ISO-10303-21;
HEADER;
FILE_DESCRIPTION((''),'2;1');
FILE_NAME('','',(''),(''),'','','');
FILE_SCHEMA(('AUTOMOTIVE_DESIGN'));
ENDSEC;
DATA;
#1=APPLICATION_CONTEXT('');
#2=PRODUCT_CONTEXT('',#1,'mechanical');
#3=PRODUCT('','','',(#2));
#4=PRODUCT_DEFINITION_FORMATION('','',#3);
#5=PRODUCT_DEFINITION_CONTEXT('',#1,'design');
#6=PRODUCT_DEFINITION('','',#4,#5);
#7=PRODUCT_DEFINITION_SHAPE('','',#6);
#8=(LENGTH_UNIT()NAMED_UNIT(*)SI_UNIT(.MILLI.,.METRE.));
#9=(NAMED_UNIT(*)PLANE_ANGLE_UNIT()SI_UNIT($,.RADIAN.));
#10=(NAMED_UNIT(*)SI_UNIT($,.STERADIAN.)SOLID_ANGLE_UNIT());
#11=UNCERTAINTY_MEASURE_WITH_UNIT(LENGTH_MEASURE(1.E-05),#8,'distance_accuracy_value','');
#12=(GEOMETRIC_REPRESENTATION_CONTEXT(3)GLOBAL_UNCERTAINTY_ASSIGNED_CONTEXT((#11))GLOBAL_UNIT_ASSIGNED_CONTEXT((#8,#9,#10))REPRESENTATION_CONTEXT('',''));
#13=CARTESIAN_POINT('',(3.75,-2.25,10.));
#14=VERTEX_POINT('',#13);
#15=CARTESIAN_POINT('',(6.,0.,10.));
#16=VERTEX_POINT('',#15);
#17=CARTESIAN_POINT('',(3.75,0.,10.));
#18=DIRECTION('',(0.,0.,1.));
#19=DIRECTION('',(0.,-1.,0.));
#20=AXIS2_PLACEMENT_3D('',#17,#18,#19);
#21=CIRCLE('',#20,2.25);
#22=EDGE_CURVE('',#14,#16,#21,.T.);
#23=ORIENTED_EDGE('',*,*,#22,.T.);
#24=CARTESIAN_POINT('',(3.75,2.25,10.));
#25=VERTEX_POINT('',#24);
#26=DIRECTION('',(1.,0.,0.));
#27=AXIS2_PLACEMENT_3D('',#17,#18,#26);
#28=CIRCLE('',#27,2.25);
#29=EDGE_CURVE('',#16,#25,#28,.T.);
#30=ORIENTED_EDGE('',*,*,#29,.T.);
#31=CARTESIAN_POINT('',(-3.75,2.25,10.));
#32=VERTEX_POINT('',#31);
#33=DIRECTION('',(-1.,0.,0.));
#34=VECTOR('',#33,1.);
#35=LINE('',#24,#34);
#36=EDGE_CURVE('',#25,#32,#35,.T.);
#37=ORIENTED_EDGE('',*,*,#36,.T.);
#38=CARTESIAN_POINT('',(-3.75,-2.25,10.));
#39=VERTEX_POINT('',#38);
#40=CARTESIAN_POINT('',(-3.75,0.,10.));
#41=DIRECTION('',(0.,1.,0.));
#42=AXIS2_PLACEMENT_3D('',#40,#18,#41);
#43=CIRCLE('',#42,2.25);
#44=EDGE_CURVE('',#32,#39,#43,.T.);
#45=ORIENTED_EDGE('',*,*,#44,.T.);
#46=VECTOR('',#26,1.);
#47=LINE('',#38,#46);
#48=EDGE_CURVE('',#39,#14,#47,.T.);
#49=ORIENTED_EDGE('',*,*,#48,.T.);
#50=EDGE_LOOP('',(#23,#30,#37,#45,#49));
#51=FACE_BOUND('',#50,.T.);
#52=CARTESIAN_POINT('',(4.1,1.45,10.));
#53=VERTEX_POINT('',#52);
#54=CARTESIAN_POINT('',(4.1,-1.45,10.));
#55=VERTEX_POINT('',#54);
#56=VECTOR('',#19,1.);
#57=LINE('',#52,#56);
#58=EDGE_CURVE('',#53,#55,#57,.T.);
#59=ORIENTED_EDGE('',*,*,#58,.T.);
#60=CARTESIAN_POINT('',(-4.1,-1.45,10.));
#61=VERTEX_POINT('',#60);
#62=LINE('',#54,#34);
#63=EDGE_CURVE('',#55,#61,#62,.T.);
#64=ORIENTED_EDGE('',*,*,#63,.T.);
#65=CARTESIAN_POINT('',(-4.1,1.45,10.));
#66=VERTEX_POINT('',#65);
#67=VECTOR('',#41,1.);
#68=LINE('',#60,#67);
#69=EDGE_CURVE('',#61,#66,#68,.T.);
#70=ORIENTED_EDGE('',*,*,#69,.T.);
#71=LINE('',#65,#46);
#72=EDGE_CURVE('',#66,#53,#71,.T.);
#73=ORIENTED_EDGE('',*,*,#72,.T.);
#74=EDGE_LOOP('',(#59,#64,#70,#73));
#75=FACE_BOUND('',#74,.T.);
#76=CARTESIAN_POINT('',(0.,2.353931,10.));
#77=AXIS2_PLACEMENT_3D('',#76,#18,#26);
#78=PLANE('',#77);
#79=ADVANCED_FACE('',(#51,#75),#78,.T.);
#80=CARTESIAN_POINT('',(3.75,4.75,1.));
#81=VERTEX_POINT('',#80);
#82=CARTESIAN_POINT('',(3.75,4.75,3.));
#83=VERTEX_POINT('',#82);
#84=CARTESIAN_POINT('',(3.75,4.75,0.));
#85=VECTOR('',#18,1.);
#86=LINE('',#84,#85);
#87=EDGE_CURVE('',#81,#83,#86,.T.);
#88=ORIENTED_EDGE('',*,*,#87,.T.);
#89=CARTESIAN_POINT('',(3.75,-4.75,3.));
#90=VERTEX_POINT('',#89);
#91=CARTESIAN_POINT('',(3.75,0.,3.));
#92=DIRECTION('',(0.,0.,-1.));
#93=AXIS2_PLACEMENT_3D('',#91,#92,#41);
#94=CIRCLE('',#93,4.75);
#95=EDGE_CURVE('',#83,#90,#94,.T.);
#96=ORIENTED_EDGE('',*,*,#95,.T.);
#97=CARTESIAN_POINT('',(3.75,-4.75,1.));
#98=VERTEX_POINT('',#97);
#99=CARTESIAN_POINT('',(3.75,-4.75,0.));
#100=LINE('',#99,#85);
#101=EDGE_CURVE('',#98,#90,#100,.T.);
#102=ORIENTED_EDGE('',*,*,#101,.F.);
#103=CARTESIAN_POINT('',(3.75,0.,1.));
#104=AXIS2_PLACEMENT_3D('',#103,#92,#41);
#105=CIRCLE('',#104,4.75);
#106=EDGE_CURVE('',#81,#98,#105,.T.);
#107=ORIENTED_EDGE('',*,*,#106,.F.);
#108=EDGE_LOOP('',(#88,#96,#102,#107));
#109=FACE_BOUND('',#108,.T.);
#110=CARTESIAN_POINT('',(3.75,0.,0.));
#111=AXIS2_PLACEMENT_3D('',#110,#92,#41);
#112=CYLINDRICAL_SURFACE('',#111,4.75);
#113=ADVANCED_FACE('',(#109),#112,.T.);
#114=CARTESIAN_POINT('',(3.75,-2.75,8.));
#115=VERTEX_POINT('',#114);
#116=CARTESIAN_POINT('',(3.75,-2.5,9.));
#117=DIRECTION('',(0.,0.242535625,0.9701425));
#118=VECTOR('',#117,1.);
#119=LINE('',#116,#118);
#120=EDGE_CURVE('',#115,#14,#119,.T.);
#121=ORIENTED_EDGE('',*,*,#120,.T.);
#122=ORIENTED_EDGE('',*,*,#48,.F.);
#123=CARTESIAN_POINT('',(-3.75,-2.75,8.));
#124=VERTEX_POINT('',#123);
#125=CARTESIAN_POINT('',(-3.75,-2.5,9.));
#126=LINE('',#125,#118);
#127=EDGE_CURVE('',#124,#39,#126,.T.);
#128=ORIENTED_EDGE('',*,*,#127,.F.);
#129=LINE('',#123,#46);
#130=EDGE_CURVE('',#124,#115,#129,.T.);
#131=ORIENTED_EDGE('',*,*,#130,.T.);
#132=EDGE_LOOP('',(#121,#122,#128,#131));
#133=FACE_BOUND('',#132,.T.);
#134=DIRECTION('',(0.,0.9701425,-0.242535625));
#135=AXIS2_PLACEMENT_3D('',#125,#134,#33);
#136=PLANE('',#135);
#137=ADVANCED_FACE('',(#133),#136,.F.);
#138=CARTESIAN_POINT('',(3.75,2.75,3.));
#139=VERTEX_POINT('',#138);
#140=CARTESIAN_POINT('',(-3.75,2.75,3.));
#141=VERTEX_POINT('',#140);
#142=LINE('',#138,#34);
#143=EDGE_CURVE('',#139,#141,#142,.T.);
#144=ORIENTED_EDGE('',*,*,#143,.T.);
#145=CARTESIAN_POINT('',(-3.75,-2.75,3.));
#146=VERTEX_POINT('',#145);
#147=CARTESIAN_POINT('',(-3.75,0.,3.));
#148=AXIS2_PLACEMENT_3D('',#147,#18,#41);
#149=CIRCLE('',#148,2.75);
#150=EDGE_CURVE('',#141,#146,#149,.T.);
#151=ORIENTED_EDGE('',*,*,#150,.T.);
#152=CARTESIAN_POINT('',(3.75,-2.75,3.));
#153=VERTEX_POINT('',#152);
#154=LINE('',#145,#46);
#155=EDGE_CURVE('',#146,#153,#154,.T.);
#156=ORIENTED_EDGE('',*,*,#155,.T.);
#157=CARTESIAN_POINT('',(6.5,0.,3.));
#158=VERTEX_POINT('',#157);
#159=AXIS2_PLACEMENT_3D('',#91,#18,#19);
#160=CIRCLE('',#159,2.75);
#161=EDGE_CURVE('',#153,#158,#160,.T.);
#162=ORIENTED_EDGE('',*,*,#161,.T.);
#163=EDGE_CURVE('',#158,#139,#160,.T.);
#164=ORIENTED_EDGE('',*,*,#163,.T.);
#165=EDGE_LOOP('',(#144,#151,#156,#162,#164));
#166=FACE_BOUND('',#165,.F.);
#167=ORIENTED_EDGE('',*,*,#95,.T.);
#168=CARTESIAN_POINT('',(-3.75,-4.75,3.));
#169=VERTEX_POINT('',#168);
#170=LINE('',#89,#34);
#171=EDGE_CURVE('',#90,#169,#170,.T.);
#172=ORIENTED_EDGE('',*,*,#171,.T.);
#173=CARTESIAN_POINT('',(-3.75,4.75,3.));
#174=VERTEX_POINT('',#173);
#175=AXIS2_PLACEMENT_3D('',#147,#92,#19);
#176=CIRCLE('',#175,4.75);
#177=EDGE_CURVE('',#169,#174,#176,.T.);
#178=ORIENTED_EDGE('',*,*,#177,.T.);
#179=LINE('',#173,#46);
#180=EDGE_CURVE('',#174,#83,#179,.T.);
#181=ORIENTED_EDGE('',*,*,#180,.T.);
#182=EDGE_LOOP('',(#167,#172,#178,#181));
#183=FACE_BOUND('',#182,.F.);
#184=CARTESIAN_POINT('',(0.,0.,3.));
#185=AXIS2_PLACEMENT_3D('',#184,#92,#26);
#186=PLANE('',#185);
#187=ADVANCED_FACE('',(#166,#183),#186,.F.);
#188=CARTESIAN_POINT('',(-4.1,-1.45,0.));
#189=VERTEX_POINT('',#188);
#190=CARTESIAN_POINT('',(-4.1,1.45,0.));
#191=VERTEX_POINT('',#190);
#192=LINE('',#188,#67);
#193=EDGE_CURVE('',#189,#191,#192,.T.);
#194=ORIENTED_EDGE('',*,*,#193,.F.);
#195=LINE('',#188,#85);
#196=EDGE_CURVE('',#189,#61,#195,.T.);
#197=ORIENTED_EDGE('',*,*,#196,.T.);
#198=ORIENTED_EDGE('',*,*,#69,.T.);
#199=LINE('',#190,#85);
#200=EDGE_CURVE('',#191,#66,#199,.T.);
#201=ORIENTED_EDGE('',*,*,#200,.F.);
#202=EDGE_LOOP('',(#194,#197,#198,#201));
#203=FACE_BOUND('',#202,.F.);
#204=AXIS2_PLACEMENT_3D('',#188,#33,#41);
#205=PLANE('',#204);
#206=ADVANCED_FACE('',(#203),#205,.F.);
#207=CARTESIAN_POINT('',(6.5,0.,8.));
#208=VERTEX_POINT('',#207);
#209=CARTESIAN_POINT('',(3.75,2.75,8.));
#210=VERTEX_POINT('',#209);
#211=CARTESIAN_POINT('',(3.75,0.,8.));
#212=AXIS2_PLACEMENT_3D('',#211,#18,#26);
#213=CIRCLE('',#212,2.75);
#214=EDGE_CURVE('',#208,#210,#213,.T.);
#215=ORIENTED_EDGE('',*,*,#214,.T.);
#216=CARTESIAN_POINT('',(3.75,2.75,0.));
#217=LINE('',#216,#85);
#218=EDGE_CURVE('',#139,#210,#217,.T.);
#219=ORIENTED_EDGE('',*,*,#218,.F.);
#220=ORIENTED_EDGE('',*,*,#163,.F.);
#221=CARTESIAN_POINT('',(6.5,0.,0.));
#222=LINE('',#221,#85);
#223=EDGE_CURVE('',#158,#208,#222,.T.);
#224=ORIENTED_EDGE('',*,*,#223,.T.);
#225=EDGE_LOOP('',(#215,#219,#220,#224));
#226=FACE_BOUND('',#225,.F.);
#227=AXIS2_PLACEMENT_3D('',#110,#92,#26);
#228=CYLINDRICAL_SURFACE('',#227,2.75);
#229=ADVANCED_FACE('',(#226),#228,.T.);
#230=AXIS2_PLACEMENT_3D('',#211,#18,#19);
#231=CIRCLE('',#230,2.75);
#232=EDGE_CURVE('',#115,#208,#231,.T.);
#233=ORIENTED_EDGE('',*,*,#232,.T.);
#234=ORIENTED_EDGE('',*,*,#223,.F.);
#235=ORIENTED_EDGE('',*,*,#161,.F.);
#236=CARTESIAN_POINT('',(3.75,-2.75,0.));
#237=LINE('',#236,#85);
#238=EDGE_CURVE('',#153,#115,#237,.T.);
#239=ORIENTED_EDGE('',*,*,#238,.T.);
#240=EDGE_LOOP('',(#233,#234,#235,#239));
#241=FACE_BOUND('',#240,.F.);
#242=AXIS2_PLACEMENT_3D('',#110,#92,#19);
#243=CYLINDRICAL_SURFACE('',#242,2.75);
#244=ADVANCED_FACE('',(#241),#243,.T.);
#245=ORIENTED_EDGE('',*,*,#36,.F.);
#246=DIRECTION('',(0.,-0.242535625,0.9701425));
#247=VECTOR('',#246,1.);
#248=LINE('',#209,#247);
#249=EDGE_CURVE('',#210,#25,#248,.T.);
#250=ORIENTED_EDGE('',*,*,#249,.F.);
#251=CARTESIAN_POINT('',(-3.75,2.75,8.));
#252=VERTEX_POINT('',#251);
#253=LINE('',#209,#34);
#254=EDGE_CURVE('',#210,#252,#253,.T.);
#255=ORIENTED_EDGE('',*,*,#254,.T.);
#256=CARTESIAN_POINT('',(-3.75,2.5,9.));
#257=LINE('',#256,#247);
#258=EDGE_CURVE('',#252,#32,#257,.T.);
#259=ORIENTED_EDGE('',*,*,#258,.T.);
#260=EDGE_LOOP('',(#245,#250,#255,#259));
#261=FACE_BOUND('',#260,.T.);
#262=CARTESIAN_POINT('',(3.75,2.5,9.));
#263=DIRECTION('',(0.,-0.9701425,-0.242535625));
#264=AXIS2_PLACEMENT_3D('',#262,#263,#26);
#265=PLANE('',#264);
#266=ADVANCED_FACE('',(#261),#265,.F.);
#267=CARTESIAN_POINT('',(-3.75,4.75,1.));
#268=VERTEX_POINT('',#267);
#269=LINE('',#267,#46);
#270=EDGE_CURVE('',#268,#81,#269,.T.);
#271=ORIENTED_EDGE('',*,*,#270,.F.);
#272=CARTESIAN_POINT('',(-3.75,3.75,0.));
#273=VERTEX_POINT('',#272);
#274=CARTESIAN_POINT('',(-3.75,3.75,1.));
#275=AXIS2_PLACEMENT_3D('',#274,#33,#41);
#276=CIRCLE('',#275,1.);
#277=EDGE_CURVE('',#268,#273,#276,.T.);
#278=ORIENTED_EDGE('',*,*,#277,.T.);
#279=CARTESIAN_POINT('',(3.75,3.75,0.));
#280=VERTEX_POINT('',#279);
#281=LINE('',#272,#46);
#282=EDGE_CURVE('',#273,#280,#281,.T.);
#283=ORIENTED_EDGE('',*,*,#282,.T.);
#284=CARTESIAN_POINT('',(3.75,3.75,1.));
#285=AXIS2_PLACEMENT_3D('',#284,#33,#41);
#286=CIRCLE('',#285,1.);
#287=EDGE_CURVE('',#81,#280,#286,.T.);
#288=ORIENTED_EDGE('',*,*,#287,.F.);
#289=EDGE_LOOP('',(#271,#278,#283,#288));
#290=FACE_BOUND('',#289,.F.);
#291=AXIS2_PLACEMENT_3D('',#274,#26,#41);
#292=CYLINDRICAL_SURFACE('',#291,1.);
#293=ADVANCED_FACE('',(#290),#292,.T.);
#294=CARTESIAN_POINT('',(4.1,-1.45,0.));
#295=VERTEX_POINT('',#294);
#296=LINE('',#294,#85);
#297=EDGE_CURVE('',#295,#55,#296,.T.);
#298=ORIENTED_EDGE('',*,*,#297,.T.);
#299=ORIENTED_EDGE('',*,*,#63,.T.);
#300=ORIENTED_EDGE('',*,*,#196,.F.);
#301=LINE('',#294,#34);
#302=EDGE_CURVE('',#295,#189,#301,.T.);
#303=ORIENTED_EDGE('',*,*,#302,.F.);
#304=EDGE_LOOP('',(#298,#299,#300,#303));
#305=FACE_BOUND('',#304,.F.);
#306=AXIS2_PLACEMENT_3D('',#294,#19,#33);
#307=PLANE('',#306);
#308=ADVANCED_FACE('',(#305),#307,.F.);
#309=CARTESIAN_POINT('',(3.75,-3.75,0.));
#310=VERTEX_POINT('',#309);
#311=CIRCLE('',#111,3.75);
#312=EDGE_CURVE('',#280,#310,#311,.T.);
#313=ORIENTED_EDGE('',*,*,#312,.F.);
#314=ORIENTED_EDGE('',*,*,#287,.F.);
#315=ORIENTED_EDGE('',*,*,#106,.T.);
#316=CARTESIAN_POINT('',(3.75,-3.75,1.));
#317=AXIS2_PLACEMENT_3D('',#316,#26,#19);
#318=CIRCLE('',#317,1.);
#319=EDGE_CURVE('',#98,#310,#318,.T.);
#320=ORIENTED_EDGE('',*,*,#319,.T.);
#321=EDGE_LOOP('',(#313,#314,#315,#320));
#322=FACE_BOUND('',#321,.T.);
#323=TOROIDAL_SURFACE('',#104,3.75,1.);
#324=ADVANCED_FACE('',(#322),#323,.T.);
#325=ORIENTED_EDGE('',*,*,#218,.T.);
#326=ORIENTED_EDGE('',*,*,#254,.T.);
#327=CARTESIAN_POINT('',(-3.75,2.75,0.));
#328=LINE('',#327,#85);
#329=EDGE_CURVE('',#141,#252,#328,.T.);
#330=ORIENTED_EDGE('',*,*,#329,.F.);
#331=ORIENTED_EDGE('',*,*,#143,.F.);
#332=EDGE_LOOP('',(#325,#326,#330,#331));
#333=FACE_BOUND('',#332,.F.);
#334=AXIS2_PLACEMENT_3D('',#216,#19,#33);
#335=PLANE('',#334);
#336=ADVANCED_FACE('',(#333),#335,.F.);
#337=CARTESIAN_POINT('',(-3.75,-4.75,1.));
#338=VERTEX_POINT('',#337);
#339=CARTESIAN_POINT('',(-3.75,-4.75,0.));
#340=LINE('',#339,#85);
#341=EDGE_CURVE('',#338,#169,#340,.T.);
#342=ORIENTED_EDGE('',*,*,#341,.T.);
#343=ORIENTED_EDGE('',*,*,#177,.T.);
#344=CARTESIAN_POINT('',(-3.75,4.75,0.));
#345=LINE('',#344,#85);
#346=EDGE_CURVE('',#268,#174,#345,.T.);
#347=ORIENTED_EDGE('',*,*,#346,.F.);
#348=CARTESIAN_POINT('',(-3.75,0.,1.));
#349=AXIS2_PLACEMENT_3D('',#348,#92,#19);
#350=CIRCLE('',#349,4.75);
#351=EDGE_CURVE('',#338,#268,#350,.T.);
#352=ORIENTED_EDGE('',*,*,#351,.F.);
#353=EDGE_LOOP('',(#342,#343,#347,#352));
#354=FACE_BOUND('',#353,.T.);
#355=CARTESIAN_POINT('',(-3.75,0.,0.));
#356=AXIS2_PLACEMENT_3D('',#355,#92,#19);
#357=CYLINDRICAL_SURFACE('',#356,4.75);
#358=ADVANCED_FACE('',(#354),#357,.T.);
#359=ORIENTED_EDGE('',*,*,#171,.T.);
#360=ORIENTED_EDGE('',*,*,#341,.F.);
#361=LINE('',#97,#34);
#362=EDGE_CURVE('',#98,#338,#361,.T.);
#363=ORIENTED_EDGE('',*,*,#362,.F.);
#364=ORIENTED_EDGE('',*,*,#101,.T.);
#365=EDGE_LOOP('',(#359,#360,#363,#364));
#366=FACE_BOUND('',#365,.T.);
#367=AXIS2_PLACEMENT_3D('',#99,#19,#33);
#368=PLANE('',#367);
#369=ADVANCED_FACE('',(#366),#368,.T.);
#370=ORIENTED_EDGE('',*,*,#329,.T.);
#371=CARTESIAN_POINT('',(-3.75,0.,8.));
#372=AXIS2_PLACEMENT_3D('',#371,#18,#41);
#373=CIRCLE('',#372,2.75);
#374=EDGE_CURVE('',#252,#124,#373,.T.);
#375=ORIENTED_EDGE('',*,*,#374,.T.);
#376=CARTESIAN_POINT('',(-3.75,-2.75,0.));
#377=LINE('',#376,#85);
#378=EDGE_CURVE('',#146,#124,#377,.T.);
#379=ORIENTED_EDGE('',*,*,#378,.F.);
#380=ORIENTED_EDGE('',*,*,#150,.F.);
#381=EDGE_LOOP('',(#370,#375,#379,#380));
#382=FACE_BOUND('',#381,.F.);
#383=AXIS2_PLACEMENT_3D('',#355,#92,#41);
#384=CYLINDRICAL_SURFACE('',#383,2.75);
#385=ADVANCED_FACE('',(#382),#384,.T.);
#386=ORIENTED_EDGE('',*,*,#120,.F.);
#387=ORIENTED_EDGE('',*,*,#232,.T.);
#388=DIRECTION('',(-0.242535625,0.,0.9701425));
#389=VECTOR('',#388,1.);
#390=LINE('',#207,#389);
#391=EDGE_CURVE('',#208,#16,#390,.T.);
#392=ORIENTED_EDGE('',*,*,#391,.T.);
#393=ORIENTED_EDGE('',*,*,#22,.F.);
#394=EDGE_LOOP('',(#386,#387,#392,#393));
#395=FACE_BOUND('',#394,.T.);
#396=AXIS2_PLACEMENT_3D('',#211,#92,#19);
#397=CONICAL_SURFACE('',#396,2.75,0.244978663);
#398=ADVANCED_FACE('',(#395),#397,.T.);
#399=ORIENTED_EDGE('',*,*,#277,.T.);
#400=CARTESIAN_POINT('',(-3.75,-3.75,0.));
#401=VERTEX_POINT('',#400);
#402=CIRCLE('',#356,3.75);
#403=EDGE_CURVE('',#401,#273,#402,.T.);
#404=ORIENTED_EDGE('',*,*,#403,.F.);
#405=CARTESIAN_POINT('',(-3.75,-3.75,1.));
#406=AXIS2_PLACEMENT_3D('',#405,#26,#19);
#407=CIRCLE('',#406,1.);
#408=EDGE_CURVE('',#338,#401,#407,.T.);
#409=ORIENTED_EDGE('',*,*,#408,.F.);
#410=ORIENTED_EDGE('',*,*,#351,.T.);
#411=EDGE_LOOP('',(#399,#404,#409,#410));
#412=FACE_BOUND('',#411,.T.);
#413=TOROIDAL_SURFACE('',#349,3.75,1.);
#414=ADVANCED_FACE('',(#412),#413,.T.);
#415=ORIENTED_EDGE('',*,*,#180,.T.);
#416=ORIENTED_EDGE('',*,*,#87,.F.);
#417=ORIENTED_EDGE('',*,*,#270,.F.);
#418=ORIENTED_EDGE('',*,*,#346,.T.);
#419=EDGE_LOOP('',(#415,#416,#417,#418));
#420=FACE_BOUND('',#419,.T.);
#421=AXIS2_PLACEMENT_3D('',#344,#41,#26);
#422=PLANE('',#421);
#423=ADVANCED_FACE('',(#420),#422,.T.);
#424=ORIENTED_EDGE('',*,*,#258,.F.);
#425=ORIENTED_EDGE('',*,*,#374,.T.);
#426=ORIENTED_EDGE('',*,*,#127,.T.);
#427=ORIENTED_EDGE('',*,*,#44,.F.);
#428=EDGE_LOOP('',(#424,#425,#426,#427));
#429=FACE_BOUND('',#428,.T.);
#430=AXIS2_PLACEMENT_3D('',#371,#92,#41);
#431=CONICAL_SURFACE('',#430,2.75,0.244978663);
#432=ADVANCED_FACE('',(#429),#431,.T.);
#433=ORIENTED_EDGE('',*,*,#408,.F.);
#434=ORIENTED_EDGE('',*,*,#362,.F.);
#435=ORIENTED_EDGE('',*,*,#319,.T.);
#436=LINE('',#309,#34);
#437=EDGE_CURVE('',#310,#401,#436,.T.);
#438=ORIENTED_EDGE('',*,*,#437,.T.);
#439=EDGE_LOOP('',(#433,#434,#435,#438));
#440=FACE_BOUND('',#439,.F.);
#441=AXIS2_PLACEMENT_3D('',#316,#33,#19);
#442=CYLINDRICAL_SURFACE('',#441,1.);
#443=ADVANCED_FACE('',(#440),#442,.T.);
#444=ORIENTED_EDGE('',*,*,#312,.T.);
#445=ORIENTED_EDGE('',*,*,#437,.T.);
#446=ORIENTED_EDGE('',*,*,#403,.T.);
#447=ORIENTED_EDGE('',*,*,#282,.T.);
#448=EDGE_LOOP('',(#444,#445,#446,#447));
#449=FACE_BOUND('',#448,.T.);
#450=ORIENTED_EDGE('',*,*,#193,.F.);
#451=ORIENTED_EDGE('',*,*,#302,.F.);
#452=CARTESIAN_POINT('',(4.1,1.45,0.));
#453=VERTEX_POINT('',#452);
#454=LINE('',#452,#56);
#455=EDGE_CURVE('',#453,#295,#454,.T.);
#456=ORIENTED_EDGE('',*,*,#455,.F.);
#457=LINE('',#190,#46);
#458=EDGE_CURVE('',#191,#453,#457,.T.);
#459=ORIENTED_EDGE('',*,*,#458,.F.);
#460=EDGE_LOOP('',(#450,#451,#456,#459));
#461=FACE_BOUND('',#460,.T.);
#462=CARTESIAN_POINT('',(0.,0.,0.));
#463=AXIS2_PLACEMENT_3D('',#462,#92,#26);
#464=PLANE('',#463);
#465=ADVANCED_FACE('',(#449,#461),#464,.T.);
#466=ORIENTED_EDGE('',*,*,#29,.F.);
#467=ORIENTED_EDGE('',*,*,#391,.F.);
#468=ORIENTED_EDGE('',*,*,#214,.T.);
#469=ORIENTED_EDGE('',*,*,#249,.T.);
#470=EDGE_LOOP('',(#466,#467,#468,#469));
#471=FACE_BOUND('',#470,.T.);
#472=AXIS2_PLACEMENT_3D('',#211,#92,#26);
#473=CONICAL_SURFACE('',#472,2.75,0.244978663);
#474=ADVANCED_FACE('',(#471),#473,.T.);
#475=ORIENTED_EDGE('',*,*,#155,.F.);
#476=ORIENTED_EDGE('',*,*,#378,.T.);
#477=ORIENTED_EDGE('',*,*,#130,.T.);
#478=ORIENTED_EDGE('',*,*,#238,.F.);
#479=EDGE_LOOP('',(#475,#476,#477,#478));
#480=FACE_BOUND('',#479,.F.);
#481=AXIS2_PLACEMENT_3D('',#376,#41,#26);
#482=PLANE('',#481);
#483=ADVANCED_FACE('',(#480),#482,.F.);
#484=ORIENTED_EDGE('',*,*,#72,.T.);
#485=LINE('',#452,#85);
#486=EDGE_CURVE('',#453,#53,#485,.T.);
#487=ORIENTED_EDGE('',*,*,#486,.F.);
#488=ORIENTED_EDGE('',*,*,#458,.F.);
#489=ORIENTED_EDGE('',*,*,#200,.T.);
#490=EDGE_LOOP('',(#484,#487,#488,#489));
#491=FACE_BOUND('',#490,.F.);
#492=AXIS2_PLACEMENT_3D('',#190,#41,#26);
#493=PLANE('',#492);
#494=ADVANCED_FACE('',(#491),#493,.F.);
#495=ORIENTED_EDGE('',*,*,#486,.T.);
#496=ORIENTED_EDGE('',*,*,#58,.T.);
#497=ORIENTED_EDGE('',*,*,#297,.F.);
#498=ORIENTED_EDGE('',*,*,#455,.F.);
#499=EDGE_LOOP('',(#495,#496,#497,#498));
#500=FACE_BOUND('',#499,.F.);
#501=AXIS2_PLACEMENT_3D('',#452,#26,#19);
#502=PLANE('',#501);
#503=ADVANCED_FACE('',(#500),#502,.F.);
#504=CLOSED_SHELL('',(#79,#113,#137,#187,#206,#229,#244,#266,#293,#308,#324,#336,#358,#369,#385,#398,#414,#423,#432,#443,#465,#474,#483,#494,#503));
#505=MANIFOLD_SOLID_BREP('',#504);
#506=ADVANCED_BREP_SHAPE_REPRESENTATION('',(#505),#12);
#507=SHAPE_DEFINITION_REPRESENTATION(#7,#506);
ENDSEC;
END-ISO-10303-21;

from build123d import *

# Parameters (mm, degrees)
F1_DEPTH = 10
F2_SIZE2 = 0.5
F2_SIZE  = 2
F4_DEPTH = 3
F5_R     = 1


with BuildPart() as f1:
    # F0 (on Top) → F1 (new body)
    with BuildSketch(Plane.XY):
        with BuildLine():
            Line((3.75, 2.75), (-3.75, 2.75))
            ThreePointArc((-3.75, 2.75), (-2.4130258043, 2.4031229681), (-1.4133357109, 1.45))
            Line((-1.4133357109, 1.45), (1.4133357109, 1.45))
            ThreePointArc((1.4133357109, 1.45), (2.4130258043, 2.4031229681), (3.75, 2.75))
        make_face()
        with BuildLine():
            ThreePointArc((-1.4133357109, 1.45), (-2.4130258043, 2.4031229681), (-3.75, 2.75))
            ThreePointArc((-3.75, 2.75), (-6.5, 0), (-3.75, -2.75))
            ThreePointArc((-3.75, -2.75), (-2.4130258043, -2.4031229681), (-1.4133357109, -1.45))
            Line((-1.4133357109, -1.45), (-4.1, -1.45))
            Line((-4.1, -1.45), (-4.1, 1.45))
            Line((-4.1, 1.45), (-1.4133357109, 1.45))
        make_face()
        with BuildLine():
            ThreePointArc((6.5, 0), (5.6945436483, 1.9445436483), (3.75, 2.75))
            ThreePointArc((3.75, 2.75), (2.4130258043, 2.4031229681), (1.4133357109, 1.45))
            Line((1.4133357109, 1.45), (4.1, 1.45))
            Line((4.1, 1.45), (4.1, -1.45))
            Line((4.1, -1.45), (1.4133357109, -1.45))
            ThreePointArc((1.4133357109, -1.45), (2.4130258043, -2.4031229681), (3.75, -2.75))
            ThreePointArc((3.75, -2.75), (5.6945436483, -1.9445436483), (6.5, 0))
        make_face()
        with BuildLine():
            ThreePointArc((-1.4133357109, -1.45), (-2.4130258043, -2.4031229681), (-3.75, -2.75))
            Line((-3.75, -2.75), (3.75, -2.75))
            ThreePointArc((3.75, -2.75), (2.4130258043, -2.4031229681), (1.4133357109, -1.45))
            Line((1.4133357109, -1.45), (-1.4133357109, -1.45))
        make_face()
    extrude(amount=F1_DEPTH)

    # F2
    f2_edges = [f1.edges().sort_by_distance(p)[0] for p in [
        (0, -2.75, 10),
    ]]
    f2_side = f1.faces().sort_by_distance((0, -2.75, 5))[0]
    chamfer(f2_edges, length=F2_SIZE, length2=F2_SIZE2, reference=f2_side)

    # F3 (on face) → F4 (join)
    with BuildSketch(Plane(origin=(0, 0, 0), x_dir=(1, 0, 0), z_dir=(0, 0, -1))):
        with BuildLine():
            ThreePointArc((3.75, -4.75), (8.5, 0), (3.75, 4.75))
            Line((3.75, 4.75), (-3.75, 4.75))
            ThreePointArc((-3.75, 4.75), (-8.5, 0), (-3.75, -4.75))
            Line((-3.75, -4.75), (3.75, -4.75))
        make_face()
        with BuildLine():
            Line((3.75, -2.75), (-3.75, -2.75))
            ThreePointArc((-3.75, -2.75), (-6.5, 0), (-3.75, 2.75))
            Line((-3.75, 2.75), (3.75, 2.75))
            ThreePointArc((3.75, 2.75), (6.5, 0), (3.75, -2.75))
        make_face(mode=Mode.SUBTRACT)
    extrude(amount=-F4_DEPTH)

    # F5
    f5_edges = [f1.edges().sort_by_distance(p)[0] for p in [
        (0, -4.75, 0),
        (8.5, 0, 0),
        (0, 4.75, 0),
    ]]
    fillet(f5_edges, radius=F5_R)


solid = f1.part
